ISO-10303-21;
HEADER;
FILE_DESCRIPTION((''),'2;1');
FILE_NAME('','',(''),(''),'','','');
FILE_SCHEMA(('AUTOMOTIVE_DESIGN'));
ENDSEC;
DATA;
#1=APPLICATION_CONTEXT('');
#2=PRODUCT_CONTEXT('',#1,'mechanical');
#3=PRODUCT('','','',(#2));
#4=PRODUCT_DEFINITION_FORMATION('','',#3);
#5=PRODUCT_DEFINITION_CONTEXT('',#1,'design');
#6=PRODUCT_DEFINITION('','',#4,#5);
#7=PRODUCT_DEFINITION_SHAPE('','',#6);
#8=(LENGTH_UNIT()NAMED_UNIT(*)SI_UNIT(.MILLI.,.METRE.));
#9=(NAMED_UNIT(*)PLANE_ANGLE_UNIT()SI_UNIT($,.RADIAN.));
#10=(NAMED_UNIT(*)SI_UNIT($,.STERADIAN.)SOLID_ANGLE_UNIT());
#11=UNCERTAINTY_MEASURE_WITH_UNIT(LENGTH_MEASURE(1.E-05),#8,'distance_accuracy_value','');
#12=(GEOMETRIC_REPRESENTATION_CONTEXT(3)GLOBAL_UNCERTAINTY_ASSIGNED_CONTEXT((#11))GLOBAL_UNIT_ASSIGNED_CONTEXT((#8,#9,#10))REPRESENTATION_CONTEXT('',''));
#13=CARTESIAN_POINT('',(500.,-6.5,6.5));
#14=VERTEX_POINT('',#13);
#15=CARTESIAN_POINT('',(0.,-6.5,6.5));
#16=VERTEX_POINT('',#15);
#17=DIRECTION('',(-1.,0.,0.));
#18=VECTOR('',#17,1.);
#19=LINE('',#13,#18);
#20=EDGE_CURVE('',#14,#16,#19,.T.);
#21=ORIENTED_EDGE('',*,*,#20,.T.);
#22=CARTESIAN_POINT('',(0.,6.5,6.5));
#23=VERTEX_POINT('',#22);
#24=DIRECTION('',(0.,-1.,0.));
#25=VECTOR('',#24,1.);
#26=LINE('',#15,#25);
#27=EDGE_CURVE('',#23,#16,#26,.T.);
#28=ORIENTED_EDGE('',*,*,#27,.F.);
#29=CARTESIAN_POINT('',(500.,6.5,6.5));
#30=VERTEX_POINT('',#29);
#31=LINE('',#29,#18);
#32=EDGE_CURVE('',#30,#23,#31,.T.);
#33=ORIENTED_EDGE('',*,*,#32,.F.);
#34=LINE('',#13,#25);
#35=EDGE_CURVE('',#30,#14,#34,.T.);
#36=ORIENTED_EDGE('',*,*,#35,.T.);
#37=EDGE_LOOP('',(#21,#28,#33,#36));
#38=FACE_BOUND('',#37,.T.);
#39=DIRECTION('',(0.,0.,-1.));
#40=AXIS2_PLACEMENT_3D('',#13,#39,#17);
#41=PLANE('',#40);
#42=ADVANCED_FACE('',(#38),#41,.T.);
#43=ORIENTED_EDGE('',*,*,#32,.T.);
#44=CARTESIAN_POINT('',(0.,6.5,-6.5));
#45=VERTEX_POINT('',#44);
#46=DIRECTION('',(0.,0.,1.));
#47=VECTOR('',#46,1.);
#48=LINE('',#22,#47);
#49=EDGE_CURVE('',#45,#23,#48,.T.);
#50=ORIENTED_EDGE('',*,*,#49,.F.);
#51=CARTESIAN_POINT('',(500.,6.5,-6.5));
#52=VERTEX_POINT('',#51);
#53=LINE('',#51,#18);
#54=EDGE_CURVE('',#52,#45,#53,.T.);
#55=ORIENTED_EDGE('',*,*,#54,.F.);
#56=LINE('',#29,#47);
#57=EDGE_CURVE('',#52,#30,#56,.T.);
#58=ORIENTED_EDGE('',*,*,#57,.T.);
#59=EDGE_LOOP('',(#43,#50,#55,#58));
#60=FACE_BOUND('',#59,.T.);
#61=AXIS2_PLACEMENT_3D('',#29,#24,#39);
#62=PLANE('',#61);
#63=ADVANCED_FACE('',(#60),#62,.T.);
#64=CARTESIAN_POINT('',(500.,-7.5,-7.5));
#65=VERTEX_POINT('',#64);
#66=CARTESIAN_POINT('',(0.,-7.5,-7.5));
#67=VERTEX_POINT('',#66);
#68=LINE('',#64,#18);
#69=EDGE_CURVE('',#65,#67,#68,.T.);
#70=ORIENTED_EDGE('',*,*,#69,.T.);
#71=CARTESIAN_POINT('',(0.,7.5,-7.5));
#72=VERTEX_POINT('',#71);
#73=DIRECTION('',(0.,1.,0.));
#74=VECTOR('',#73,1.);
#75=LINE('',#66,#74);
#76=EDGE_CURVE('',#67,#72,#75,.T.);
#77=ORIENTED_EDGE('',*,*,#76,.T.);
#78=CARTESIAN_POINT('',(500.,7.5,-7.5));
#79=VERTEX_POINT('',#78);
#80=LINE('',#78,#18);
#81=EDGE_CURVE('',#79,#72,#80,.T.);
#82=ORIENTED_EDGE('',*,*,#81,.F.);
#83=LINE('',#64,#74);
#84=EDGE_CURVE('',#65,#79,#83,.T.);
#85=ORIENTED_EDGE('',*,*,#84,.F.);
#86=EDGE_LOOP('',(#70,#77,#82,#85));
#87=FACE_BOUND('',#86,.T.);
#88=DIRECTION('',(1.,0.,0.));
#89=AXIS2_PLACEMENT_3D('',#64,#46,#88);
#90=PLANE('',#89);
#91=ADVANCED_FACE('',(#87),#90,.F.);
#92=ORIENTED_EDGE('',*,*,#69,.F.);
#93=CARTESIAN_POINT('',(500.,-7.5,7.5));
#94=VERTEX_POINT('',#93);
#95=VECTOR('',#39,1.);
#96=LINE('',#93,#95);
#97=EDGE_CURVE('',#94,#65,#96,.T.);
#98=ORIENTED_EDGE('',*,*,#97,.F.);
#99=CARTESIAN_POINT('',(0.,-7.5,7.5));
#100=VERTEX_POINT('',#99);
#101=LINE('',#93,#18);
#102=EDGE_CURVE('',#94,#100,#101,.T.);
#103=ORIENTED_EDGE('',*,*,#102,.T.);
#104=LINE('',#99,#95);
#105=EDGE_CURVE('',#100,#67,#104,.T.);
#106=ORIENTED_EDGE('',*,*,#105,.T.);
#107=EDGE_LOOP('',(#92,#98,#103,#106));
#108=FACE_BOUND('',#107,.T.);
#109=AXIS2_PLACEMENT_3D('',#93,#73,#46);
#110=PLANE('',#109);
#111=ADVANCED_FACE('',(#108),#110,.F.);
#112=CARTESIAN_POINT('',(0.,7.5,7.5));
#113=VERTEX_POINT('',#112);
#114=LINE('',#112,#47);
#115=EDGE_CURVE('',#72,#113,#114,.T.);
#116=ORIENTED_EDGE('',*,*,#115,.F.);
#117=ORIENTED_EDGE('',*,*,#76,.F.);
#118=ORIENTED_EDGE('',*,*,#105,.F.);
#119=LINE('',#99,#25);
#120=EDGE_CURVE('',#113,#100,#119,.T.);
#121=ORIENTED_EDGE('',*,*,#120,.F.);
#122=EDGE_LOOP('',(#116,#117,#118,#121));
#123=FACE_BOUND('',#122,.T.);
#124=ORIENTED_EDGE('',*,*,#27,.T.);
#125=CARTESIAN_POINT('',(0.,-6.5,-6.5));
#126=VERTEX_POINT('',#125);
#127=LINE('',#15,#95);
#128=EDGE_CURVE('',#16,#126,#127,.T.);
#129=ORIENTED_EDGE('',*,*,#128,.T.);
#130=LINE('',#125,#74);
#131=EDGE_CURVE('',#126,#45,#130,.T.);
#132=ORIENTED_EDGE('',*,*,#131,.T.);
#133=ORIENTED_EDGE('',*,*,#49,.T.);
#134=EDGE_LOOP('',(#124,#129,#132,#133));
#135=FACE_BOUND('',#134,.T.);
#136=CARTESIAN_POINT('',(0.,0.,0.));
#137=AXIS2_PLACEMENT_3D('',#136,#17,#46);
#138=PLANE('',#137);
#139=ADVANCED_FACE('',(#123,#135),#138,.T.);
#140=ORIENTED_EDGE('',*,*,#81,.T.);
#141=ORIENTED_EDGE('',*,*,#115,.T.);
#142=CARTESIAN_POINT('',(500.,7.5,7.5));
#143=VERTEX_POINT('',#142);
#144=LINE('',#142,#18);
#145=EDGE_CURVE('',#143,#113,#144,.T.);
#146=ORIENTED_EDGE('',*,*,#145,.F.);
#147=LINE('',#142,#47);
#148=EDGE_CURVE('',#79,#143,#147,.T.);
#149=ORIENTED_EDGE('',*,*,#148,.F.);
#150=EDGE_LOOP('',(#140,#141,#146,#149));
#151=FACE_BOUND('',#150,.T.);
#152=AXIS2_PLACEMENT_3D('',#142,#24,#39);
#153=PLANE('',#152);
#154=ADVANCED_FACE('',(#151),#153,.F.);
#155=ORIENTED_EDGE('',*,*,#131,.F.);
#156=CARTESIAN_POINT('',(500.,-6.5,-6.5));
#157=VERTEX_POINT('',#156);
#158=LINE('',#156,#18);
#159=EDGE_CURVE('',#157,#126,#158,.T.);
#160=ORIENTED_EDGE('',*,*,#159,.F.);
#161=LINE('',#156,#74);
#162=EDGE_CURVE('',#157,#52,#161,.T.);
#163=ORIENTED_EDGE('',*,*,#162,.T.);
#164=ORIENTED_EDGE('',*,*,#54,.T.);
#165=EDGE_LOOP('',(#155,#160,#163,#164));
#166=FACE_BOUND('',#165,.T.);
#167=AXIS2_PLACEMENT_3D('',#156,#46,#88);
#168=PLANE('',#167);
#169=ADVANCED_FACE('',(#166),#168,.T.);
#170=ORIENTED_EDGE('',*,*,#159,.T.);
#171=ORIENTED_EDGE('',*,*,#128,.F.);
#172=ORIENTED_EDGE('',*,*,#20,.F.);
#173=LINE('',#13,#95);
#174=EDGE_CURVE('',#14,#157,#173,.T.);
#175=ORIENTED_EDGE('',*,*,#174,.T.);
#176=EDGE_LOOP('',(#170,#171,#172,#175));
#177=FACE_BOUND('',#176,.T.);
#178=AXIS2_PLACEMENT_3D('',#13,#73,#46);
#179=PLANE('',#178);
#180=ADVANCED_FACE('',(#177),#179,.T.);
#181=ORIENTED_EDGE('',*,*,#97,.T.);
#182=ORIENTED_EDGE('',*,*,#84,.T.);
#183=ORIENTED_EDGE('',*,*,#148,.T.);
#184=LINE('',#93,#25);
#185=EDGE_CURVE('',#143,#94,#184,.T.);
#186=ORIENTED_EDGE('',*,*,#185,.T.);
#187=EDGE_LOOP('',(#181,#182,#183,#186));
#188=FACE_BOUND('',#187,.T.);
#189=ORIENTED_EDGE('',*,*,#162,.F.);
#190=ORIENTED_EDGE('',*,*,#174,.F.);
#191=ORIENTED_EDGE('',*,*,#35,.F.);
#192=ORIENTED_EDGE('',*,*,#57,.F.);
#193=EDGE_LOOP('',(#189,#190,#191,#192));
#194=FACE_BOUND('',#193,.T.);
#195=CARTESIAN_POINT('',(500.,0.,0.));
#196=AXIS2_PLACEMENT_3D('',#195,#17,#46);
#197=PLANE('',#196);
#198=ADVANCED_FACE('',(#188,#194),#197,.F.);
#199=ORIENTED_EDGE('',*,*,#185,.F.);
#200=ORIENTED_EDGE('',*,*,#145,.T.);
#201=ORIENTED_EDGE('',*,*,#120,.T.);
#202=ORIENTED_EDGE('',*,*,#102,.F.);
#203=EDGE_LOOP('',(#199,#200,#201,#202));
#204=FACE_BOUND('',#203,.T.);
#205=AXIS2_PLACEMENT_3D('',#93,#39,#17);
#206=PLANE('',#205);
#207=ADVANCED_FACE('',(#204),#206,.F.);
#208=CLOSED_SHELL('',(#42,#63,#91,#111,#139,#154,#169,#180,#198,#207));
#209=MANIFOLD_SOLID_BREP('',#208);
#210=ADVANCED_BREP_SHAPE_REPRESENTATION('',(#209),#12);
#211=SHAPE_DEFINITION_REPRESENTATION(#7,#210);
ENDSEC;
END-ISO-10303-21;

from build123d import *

# Parameters (mm, degrees)
SCHIZZO1_W                   = 15
SCHIZZO1_H                   = 15
SCHIZZO1_W_2                 = 13
SCHIZZO1_H_2                 = 13
ESTRUSIONE_ESTRUSIONE1_DEPTH = 500


with BuildPart() as part:
    # Schizzo1 → Estrusione-Estrusione1 (new body)
    with BuildSketch(Plane(origin=(0, 0, 0), x_dir=(0, 0, -1), z_dir=(1, 0, 0))):
        Rectangle(SCHIZZO1_W, SCHIZZO1_H)
        Rectangle(SCHIZZO1_W_2, SCHIZZO1_H_2, mode=Mode.SUBTRACT)
    extrude(amount=ESTRUSIONE_ESTRUSIONE1_DEPTH)


solid = part.part
